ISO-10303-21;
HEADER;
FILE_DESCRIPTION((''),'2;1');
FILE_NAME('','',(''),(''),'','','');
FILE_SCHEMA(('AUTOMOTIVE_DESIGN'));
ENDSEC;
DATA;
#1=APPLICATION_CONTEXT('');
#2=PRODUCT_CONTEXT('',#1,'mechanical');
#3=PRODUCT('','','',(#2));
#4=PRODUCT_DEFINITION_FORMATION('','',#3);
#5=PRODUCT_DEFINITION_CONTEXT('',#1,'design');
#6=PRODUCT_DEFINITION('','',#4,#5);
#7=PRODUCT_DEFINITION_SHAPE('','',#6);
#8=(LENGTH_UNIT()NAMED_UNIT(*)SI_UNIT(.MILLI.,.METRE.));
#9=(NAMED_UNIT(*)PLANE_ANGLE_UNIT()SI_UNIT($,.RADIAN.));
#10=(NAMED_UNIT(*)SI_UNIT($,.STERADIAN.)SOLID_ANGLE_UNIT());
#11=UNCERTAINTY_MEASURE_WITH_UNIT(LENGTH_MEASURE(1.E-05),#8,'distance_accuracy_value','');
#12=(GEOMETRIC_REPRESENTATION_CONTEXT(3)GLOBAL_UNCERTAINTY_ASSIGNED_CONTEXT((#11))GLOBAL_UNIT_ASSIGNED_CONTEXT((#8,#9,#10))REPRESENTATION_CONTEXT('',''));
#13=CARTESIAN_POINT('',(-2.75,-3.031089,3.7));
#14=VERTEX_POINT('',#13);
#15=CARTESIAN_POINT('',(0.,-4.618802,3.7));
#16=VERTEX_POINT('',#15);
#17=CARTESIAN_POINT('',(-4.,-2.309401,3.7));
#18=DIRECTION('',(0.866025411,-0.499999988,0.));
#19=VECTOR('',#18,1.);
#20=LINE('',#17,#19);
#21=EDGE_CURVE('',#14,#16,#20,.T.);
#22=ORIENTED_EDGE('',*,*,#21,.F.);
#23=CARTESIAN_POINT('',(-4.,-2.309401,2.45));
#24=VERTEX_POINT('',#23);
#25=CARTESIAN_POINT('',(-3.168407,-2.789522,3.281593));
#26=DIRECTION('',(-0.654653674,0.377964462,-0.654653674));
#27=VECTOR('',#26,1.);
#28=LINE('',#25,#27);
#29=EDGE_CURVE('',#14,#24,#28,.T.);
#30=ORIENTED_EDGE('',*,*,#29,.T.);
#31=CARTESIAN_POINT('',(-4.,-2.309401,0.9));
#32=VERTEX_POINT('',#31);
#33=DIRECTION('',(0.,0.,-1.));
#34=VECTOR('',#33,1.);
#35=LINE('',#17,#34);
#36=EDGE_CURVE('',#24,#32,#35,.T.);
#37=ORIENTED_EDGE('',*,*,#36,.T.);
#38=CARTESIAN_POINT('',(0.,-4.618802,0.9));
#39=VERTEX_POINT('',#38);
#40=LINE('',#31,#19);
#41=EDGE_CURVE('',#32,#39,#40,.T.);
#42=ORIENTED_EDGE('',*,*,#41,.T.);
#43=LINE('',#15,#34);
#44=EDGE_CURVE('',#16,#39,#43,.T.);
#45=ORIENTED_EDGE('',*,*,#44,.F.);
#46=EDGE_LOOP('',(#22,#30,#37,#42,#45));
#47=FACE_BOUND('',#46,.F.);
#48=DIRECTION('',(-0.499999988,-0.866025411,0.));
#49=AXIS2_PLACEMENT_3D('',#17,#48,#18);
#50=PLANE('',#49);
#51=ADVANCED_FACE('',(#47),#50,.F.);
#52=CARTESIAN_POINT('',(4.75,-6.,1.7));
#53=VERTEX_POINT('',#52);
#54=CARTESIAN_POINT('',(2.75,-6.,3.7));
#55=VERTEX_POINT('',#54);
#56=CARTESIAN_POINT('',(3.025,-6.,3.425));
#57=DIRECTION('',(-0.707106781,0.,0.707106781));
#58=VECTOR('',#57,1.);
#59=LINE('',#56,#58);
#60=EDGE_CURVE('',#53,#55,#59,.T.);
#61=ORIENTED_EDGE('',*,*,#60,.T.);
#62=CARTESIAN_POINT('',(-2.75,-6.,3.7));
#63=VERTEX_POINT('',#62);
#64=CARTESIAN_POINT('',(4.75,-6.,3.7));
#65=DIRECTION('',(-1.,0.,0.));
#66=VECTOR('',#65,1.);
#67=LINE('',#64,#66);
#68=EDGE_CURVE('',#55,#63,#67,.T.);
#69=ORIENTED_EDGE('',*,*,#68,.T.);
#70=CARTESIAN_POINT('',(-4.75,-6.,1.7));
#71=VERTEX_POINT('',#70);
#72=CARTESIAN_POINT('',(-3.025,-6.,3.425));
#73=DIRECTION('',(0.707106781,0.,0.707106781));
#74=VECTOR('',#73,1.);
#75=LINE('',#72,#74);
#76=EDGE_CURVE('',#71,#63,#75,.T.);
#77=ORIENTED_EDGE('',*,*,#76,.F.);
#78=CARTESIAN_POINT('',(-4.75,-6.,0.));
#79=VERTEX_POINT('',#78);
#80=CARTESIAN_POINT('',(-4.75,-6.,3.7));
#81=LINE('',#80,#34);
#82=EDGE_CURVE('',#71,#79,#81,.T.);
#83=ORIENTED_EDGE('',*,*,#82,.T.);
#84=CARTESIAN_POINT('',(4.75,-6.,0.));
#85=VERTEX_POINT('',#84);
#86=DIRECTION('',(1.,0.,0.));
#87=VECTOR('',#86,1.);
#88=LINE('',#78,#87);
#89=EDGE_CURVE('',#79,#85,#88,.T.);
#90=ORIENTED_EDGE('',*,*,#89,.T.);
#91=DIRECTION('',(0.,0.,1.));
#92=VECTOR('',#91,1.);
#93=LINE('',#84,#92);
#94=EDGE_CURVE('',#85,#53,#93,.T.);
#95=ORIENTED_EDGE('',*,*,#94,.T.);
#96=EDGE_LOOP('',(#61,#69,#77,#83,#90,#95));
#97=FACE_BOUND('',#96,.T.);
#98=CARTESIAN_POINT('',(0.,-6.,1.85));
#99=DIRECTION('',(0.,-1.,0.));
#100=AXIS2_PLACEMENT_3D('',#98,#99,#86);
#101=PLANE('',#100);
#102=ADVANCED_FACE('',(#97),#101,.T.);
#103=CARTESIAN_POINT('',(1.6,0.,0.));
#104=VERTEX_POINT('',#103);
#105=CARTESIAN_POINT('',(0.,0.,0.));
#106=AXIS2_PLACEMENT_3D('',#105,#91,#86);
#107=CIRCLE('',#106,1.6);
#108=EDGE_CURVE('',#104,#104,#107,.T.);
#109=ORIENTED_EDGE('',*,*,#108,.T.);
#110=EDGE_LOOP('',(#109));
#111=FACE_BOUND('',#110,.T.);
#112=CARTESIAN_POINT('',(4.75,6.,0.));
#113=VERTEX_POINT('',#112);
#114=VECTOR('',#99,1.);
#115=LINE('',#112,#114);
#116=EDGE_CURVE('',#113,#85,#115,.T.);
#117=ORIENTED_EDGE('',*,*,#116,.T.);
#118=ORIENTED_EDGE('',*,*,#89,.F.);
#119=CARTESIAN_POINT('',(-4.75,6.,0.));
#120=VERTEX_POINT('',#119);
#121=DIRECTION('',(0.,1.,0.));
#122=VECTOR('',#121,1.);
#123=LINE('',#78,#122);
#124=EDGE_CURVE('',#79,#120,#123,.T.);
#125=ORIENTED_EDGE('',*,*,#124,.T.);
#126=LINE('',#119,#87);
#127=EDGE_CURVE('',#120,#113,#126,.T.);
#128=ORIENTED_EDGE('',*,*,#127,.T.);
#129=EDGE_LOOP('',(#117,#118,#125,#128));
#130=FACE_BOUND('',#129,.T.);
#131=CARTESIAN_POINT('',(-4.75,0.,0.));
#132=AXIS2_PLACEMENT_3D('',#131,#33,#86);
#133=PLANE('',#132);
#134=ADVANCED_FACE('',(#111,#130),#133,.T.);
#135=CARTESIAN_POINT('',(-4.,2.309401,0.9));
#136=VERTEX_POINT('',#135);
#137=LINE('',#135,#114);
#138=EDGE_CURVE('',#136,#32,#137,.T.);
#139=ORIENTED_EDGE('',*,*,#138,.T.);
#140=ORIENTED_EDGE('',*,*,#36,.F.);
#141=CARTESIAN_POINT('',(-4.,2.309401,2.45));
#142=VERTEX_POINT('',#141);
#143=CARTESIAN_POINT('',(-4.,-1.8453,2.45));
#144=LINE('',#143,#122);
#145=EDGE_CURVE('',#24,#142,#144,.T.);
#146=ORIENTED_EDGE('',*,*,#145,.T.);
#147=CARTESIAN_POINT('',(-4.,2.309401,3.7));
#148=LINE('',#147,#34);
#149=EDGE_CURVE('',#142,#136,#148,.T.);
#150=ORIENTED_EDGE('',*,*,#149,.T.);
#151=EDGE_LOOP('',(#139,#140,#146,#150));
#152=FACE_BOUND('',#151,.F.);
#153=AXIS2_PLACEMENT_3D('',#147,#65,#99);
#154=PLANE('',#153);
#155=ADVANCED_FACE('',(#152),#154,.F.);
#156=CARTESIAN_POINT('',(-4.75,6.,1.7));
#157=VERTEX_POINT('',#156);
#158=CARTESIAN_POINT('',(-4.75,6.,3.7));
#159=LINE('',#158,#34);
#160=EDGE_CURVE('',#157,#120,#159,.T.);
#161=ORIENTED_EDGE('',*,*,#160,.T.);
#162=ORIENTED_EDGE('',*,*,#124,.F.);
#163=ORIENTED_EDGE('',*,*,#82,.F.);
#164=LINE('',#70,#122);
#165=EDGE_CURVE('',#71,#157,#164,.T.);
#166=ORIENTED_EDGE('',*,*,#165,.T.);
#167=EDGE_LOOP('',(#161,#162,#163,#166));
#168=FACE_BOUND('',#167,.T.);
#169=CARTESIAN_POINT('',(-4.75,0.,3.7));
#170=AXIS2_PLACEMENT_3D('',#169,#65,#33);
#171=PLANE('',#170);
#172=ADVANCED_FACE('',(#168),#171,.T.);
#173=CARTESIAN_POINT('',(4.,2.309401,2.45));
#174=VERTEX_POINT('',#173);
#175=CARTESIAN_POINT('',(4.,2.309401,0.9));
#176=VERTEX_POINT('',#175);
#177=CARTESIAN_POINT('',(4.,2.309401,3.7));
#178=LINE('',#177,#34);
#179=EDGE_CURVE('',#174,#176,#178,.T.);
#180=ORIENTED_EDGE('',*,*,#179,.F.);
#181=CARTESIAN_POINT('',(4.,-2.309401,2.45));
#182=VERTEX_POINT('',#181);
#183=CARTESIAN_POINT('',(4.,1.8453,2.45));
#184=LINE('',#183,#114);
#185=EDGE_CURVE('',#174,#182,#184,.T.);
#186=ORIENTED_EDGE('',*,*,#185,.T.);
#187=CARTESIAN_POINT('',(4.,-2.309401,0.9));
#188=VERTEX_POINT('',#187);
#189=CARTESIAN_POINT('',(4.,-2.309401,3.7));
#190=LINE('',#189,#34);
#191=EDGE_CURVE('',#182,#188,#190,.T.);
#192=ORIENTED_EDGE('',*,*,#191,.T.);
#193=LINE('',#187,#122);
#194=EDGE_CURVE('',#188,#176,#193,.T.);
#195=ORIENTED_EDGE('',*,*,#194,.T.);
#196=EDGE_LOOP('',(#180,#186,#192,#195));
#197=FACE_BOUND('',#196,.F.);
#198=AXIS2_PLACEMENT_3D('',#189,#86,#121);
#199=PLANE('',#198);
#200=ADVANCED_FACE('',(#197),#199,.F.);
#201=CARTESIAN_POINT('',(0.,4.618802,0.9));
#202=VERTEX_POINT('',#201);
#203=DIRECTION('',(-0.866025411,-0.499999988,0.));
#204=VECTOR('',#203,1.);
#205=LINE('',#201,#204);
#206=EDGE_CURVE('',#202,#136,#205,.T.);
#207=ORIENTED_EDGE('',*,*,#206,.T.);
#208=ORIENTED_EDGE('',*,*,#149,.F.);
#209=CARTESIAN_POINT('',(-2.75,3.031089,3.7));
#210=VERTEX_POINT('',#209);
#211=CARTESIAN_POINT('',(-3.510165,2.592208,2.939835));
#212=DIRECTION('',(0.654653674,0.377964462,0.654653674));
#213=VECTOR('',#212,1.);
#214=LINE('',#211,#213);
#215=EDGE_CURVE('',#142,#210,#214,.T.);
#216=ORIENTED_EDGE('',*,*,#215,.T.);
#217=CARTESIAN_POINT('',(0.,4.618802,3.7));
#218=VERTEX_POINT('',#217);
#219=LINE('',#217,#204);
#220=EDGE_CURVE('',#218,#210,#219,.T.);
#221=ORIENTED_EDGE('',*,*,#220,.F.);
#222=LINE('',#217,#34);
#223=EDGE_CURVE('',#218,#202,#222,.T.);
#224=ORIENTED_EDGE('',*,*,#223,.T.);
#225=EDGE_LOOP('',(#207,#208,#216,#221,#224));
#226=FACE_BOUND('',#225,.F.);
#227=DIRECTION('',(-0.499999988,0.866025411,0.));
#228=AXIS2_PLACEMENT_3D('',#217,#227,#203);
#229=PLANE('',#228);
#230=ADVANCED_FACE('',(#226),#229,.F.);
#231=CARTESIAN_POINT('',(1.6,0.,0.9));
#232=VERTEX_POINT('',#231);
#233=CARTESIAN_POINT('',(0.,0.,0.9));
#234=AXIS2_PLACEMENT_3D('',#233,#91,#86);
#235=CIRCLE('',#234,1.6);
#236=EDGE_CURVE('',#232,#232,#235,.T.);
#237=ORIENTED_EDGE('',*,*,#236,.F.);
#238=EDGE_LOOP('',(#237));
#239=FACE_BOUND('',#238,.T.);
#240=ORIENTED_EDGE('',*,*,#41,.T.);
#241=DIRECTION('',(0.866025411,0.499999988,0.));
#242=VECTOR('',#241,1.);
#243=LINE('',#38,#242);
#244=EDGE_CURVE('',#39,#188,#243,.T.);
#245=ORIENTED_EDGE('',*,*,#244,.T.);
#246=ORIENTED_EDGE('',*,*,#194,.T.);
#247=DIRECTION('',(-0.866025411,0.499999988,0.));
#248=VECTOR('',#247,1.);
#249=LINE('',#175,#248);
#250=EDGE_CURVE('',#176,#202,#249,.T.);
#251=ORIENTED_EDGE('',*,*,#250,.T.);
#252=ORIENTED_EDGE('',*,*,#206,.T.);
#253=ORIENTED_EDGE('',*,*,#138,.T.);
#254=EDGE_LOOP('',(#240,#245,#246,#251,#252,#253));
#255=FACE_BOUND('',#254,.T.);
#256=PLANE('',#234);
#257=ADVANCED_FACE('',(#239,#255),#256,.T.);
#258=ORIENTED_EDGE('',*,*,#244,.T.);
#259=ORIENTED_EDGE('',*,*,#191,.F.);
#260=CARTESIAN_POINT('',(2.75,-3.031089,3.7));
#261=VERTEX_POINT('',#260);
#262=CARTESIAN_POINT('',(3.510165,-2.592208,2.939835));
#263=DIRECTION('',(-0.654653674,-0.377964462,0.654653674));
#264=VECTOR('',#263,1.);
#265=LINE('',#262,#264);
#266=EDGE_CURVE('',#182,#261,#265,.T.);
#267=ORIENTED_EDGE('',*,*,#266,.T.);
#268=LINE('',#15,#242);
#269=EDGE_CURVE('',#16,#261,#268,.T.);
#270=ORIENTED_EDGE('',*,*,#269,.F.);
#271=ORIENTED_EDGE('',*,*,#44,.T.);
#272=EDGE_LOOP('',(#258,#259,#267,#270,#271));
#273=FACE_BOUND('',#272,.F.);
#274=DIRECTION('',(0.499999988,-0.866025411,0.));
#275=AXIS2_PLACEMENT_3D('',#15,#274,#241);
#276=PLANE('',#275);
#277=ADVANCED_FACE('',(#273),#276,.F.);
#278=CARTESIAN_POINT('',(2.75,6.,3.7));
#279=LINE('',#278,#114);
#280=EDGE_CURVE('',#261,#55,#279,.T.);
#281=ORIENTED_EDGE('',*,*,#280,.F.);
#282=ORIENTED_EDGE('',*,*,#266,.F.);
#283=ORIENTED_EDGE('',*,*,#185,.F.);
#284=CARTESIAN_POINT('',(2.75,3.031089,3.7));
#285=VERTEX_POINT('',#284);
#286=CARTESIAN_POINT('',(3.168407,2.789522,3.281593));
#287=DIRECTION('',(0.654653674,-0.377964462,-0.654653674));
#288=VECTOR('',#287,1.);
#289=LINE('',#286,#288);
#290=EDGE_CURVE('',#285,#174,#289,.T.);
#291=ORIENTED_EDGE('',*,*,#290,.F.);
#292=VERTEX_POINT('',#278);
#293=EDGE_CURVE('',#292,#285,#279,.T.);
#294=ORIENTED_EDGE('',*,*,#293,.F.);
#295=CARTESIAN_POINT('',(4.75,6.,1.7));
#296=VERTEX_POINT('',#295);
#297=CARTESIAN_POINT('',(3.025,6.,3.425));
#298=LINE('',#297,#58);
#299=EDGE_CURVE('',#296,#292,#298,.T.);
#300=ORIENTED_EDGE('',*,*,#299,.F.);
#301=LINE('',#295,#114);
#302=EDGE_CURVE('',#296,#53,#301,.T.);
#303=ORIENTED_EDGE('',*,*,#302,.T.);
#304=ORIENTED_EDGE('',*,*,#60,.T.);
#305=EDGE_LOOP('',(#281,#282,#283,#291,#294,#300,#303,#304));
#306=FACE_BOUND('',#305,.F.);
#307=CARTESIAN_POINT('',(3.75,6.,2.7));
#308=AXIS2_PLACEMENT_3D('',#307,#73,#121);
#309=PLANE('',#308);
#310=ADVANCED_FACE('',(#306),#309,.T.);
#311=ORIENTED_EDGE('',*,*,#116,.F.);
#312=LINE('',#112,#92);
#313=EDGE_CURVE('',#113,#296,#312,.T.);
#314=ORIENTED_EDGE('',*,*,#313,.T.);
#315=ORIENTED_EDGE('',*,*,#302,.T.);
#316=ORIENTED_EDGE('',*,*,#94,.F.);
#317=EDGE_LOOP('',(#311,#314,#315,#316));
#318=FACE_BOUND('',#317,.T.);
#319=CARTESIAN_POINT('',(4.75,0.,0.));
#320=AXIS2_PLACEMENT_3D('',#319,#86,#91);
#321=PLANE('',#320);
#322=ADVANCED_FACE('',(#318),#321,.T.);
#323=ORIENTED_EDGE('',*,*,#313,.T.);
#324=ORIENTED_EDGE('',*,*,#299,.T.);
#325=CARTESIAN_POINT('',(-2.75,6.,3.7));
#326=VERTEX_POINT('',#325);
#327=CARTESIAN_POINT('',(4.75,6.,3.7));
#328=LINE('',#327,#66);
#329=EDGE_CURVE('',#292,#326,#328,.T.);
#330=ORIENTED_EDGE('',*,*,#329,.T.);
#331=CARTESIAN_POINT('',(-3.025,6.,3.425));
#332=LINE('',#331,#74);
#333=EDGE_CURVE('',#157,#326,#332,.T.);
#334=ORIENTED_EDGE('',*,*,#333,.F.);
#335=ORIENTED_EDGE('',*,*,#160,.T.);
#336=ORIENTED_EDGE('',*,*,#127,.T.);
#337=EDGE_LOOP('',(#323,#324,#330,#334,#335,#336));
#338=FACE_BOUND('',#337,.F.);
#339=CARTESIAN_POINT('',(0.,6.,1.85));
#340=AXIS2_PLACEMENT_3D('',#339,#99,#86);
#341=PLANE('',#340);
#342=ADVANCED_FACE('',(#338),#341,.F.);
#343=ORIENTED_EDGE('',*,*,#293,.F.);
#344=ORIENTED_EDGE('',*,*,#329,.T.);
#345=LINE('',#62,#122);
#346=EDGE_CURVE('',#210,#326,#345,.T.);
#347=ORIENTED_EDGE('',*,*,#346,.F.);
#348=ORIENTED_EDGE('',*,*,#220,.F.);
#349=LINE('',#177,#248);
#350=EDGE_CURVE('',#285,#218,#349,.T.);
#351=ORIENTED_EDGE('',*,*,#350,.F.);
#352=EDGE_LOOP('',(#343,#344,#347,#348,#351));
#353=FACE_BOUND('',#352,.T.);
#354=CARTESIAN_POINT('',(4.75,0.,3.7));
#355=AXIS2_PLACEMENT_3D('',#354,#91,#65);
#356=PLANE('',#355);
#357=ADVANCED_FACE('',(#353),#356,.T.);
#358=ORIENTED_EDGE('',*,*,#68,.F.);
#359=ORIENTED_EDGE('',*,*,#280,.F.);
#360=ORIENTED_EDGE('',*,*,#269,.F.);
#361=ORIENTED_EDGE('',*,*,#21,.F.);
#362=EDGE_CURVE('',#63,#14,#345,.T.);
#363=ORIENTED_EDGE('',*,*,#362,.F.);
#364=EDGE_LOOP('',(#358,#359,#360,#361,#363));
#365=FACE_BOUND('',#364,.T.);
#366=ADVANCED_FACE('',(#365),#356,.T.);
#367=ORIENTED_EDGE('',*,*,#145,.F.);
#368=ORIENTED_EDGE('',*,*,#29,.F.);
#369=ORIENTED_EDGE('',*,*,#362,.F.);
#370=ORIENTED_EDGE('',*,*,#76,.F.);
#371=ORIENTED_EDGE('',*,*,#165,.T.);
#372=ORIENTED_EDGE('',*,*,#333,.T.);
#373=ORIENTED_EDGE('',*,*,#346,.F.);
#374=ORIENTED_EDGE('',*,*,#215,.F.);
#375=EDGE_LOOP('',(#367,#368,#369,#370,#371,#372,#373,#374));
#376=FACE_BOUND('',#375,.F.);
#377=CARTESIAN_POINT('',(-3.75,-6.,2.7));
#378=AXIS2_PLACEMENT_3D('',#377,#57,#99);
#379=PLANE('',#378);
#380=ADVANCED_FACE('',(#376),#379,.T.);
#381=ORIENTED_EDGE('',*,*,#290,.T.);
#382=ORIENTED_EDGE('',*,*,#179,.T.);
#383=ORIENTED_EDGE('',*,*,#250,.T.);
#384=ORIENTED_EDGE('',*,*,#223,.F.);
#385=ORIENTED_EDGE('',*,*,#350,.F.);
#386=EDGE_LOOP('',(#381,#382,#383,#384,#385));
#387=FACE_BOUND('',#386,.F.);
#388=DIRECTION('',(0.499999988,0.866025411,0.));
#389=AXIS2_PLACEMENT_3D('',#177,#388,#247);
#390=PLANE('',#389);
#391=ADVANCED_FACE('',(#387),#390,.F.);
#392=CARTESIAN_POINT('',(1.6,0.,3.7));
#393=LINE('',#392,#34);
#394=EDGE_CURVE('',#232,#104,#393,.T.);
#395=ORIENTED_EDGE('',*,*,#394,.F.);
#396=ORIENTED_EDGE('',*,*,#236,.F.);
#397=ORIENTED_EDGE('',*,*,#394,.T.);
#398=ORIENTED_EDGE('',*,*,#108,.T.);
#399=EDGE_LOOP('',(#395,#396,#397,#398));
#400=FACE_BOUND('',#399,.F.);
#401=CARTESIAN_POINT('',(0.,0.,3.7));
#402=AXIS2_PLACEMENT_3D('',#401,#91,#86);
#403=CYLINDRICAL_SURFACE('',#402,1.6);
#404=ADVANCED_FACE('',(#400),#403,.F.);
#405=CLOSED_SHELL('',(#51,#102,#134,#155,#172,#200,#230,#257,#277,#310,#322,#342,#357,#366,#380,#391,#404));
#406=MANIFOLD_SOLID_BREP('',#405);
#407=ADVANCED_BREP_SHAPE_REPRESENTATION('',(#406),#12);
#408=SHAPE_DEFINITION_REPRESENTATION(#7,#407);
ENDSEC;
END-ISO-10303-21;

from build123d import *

# Parameters (mm, degrees)
F1_DEPTH = 6
F2_R     = 1.6
F3_DEPTH = 3.7
F5_SIZE2 = 2
F5_SIZE  = 2
F6_DEPTH = 2.8


with BuildPart() as f1:
    # F0 (on Front) → F1 (new body, symmetric)
    with BuildSketch(Plane.XZ):
        Polygon((-4.75, 0), (0, 0), (4.75, 0), (4.75, 3.7), (-4.75, 3.7), align=None)
    extrude(amount=F1_DEPTH, both=True)

    # F2 (on face) → F3 (cut, through all)
    with BuildSketch(Plane.XY.offset(3.7)):
        Circle(F2_R)
    extrude(amount=-F3_DEPTH, mode=Mode.SUBTRACT)

    # F5
    f5_edges = [f1.edges().sort_by_distance(p)[0] for p in [
        (-4.75, 0, 3.7),
        (4.75, 0, 3.7),
    ]]
    chamfer(f5_edges, length=F5_SIZE, length2=F5_SIZE2)

    # F4 (on face) → F6 (cut)
    with BuildSketch(Plane.XY.offset(3.7)):
        Polygon((4, -2.309401), (4, 2.309401), (0, 4.618802), (-4, 2.309401), (-4, -2.309401), (0, -4.618802), align=None)
    extrude(amount=-F6_DEPTH, mode=Mode.SUBTRACT)


solid = f1.part
